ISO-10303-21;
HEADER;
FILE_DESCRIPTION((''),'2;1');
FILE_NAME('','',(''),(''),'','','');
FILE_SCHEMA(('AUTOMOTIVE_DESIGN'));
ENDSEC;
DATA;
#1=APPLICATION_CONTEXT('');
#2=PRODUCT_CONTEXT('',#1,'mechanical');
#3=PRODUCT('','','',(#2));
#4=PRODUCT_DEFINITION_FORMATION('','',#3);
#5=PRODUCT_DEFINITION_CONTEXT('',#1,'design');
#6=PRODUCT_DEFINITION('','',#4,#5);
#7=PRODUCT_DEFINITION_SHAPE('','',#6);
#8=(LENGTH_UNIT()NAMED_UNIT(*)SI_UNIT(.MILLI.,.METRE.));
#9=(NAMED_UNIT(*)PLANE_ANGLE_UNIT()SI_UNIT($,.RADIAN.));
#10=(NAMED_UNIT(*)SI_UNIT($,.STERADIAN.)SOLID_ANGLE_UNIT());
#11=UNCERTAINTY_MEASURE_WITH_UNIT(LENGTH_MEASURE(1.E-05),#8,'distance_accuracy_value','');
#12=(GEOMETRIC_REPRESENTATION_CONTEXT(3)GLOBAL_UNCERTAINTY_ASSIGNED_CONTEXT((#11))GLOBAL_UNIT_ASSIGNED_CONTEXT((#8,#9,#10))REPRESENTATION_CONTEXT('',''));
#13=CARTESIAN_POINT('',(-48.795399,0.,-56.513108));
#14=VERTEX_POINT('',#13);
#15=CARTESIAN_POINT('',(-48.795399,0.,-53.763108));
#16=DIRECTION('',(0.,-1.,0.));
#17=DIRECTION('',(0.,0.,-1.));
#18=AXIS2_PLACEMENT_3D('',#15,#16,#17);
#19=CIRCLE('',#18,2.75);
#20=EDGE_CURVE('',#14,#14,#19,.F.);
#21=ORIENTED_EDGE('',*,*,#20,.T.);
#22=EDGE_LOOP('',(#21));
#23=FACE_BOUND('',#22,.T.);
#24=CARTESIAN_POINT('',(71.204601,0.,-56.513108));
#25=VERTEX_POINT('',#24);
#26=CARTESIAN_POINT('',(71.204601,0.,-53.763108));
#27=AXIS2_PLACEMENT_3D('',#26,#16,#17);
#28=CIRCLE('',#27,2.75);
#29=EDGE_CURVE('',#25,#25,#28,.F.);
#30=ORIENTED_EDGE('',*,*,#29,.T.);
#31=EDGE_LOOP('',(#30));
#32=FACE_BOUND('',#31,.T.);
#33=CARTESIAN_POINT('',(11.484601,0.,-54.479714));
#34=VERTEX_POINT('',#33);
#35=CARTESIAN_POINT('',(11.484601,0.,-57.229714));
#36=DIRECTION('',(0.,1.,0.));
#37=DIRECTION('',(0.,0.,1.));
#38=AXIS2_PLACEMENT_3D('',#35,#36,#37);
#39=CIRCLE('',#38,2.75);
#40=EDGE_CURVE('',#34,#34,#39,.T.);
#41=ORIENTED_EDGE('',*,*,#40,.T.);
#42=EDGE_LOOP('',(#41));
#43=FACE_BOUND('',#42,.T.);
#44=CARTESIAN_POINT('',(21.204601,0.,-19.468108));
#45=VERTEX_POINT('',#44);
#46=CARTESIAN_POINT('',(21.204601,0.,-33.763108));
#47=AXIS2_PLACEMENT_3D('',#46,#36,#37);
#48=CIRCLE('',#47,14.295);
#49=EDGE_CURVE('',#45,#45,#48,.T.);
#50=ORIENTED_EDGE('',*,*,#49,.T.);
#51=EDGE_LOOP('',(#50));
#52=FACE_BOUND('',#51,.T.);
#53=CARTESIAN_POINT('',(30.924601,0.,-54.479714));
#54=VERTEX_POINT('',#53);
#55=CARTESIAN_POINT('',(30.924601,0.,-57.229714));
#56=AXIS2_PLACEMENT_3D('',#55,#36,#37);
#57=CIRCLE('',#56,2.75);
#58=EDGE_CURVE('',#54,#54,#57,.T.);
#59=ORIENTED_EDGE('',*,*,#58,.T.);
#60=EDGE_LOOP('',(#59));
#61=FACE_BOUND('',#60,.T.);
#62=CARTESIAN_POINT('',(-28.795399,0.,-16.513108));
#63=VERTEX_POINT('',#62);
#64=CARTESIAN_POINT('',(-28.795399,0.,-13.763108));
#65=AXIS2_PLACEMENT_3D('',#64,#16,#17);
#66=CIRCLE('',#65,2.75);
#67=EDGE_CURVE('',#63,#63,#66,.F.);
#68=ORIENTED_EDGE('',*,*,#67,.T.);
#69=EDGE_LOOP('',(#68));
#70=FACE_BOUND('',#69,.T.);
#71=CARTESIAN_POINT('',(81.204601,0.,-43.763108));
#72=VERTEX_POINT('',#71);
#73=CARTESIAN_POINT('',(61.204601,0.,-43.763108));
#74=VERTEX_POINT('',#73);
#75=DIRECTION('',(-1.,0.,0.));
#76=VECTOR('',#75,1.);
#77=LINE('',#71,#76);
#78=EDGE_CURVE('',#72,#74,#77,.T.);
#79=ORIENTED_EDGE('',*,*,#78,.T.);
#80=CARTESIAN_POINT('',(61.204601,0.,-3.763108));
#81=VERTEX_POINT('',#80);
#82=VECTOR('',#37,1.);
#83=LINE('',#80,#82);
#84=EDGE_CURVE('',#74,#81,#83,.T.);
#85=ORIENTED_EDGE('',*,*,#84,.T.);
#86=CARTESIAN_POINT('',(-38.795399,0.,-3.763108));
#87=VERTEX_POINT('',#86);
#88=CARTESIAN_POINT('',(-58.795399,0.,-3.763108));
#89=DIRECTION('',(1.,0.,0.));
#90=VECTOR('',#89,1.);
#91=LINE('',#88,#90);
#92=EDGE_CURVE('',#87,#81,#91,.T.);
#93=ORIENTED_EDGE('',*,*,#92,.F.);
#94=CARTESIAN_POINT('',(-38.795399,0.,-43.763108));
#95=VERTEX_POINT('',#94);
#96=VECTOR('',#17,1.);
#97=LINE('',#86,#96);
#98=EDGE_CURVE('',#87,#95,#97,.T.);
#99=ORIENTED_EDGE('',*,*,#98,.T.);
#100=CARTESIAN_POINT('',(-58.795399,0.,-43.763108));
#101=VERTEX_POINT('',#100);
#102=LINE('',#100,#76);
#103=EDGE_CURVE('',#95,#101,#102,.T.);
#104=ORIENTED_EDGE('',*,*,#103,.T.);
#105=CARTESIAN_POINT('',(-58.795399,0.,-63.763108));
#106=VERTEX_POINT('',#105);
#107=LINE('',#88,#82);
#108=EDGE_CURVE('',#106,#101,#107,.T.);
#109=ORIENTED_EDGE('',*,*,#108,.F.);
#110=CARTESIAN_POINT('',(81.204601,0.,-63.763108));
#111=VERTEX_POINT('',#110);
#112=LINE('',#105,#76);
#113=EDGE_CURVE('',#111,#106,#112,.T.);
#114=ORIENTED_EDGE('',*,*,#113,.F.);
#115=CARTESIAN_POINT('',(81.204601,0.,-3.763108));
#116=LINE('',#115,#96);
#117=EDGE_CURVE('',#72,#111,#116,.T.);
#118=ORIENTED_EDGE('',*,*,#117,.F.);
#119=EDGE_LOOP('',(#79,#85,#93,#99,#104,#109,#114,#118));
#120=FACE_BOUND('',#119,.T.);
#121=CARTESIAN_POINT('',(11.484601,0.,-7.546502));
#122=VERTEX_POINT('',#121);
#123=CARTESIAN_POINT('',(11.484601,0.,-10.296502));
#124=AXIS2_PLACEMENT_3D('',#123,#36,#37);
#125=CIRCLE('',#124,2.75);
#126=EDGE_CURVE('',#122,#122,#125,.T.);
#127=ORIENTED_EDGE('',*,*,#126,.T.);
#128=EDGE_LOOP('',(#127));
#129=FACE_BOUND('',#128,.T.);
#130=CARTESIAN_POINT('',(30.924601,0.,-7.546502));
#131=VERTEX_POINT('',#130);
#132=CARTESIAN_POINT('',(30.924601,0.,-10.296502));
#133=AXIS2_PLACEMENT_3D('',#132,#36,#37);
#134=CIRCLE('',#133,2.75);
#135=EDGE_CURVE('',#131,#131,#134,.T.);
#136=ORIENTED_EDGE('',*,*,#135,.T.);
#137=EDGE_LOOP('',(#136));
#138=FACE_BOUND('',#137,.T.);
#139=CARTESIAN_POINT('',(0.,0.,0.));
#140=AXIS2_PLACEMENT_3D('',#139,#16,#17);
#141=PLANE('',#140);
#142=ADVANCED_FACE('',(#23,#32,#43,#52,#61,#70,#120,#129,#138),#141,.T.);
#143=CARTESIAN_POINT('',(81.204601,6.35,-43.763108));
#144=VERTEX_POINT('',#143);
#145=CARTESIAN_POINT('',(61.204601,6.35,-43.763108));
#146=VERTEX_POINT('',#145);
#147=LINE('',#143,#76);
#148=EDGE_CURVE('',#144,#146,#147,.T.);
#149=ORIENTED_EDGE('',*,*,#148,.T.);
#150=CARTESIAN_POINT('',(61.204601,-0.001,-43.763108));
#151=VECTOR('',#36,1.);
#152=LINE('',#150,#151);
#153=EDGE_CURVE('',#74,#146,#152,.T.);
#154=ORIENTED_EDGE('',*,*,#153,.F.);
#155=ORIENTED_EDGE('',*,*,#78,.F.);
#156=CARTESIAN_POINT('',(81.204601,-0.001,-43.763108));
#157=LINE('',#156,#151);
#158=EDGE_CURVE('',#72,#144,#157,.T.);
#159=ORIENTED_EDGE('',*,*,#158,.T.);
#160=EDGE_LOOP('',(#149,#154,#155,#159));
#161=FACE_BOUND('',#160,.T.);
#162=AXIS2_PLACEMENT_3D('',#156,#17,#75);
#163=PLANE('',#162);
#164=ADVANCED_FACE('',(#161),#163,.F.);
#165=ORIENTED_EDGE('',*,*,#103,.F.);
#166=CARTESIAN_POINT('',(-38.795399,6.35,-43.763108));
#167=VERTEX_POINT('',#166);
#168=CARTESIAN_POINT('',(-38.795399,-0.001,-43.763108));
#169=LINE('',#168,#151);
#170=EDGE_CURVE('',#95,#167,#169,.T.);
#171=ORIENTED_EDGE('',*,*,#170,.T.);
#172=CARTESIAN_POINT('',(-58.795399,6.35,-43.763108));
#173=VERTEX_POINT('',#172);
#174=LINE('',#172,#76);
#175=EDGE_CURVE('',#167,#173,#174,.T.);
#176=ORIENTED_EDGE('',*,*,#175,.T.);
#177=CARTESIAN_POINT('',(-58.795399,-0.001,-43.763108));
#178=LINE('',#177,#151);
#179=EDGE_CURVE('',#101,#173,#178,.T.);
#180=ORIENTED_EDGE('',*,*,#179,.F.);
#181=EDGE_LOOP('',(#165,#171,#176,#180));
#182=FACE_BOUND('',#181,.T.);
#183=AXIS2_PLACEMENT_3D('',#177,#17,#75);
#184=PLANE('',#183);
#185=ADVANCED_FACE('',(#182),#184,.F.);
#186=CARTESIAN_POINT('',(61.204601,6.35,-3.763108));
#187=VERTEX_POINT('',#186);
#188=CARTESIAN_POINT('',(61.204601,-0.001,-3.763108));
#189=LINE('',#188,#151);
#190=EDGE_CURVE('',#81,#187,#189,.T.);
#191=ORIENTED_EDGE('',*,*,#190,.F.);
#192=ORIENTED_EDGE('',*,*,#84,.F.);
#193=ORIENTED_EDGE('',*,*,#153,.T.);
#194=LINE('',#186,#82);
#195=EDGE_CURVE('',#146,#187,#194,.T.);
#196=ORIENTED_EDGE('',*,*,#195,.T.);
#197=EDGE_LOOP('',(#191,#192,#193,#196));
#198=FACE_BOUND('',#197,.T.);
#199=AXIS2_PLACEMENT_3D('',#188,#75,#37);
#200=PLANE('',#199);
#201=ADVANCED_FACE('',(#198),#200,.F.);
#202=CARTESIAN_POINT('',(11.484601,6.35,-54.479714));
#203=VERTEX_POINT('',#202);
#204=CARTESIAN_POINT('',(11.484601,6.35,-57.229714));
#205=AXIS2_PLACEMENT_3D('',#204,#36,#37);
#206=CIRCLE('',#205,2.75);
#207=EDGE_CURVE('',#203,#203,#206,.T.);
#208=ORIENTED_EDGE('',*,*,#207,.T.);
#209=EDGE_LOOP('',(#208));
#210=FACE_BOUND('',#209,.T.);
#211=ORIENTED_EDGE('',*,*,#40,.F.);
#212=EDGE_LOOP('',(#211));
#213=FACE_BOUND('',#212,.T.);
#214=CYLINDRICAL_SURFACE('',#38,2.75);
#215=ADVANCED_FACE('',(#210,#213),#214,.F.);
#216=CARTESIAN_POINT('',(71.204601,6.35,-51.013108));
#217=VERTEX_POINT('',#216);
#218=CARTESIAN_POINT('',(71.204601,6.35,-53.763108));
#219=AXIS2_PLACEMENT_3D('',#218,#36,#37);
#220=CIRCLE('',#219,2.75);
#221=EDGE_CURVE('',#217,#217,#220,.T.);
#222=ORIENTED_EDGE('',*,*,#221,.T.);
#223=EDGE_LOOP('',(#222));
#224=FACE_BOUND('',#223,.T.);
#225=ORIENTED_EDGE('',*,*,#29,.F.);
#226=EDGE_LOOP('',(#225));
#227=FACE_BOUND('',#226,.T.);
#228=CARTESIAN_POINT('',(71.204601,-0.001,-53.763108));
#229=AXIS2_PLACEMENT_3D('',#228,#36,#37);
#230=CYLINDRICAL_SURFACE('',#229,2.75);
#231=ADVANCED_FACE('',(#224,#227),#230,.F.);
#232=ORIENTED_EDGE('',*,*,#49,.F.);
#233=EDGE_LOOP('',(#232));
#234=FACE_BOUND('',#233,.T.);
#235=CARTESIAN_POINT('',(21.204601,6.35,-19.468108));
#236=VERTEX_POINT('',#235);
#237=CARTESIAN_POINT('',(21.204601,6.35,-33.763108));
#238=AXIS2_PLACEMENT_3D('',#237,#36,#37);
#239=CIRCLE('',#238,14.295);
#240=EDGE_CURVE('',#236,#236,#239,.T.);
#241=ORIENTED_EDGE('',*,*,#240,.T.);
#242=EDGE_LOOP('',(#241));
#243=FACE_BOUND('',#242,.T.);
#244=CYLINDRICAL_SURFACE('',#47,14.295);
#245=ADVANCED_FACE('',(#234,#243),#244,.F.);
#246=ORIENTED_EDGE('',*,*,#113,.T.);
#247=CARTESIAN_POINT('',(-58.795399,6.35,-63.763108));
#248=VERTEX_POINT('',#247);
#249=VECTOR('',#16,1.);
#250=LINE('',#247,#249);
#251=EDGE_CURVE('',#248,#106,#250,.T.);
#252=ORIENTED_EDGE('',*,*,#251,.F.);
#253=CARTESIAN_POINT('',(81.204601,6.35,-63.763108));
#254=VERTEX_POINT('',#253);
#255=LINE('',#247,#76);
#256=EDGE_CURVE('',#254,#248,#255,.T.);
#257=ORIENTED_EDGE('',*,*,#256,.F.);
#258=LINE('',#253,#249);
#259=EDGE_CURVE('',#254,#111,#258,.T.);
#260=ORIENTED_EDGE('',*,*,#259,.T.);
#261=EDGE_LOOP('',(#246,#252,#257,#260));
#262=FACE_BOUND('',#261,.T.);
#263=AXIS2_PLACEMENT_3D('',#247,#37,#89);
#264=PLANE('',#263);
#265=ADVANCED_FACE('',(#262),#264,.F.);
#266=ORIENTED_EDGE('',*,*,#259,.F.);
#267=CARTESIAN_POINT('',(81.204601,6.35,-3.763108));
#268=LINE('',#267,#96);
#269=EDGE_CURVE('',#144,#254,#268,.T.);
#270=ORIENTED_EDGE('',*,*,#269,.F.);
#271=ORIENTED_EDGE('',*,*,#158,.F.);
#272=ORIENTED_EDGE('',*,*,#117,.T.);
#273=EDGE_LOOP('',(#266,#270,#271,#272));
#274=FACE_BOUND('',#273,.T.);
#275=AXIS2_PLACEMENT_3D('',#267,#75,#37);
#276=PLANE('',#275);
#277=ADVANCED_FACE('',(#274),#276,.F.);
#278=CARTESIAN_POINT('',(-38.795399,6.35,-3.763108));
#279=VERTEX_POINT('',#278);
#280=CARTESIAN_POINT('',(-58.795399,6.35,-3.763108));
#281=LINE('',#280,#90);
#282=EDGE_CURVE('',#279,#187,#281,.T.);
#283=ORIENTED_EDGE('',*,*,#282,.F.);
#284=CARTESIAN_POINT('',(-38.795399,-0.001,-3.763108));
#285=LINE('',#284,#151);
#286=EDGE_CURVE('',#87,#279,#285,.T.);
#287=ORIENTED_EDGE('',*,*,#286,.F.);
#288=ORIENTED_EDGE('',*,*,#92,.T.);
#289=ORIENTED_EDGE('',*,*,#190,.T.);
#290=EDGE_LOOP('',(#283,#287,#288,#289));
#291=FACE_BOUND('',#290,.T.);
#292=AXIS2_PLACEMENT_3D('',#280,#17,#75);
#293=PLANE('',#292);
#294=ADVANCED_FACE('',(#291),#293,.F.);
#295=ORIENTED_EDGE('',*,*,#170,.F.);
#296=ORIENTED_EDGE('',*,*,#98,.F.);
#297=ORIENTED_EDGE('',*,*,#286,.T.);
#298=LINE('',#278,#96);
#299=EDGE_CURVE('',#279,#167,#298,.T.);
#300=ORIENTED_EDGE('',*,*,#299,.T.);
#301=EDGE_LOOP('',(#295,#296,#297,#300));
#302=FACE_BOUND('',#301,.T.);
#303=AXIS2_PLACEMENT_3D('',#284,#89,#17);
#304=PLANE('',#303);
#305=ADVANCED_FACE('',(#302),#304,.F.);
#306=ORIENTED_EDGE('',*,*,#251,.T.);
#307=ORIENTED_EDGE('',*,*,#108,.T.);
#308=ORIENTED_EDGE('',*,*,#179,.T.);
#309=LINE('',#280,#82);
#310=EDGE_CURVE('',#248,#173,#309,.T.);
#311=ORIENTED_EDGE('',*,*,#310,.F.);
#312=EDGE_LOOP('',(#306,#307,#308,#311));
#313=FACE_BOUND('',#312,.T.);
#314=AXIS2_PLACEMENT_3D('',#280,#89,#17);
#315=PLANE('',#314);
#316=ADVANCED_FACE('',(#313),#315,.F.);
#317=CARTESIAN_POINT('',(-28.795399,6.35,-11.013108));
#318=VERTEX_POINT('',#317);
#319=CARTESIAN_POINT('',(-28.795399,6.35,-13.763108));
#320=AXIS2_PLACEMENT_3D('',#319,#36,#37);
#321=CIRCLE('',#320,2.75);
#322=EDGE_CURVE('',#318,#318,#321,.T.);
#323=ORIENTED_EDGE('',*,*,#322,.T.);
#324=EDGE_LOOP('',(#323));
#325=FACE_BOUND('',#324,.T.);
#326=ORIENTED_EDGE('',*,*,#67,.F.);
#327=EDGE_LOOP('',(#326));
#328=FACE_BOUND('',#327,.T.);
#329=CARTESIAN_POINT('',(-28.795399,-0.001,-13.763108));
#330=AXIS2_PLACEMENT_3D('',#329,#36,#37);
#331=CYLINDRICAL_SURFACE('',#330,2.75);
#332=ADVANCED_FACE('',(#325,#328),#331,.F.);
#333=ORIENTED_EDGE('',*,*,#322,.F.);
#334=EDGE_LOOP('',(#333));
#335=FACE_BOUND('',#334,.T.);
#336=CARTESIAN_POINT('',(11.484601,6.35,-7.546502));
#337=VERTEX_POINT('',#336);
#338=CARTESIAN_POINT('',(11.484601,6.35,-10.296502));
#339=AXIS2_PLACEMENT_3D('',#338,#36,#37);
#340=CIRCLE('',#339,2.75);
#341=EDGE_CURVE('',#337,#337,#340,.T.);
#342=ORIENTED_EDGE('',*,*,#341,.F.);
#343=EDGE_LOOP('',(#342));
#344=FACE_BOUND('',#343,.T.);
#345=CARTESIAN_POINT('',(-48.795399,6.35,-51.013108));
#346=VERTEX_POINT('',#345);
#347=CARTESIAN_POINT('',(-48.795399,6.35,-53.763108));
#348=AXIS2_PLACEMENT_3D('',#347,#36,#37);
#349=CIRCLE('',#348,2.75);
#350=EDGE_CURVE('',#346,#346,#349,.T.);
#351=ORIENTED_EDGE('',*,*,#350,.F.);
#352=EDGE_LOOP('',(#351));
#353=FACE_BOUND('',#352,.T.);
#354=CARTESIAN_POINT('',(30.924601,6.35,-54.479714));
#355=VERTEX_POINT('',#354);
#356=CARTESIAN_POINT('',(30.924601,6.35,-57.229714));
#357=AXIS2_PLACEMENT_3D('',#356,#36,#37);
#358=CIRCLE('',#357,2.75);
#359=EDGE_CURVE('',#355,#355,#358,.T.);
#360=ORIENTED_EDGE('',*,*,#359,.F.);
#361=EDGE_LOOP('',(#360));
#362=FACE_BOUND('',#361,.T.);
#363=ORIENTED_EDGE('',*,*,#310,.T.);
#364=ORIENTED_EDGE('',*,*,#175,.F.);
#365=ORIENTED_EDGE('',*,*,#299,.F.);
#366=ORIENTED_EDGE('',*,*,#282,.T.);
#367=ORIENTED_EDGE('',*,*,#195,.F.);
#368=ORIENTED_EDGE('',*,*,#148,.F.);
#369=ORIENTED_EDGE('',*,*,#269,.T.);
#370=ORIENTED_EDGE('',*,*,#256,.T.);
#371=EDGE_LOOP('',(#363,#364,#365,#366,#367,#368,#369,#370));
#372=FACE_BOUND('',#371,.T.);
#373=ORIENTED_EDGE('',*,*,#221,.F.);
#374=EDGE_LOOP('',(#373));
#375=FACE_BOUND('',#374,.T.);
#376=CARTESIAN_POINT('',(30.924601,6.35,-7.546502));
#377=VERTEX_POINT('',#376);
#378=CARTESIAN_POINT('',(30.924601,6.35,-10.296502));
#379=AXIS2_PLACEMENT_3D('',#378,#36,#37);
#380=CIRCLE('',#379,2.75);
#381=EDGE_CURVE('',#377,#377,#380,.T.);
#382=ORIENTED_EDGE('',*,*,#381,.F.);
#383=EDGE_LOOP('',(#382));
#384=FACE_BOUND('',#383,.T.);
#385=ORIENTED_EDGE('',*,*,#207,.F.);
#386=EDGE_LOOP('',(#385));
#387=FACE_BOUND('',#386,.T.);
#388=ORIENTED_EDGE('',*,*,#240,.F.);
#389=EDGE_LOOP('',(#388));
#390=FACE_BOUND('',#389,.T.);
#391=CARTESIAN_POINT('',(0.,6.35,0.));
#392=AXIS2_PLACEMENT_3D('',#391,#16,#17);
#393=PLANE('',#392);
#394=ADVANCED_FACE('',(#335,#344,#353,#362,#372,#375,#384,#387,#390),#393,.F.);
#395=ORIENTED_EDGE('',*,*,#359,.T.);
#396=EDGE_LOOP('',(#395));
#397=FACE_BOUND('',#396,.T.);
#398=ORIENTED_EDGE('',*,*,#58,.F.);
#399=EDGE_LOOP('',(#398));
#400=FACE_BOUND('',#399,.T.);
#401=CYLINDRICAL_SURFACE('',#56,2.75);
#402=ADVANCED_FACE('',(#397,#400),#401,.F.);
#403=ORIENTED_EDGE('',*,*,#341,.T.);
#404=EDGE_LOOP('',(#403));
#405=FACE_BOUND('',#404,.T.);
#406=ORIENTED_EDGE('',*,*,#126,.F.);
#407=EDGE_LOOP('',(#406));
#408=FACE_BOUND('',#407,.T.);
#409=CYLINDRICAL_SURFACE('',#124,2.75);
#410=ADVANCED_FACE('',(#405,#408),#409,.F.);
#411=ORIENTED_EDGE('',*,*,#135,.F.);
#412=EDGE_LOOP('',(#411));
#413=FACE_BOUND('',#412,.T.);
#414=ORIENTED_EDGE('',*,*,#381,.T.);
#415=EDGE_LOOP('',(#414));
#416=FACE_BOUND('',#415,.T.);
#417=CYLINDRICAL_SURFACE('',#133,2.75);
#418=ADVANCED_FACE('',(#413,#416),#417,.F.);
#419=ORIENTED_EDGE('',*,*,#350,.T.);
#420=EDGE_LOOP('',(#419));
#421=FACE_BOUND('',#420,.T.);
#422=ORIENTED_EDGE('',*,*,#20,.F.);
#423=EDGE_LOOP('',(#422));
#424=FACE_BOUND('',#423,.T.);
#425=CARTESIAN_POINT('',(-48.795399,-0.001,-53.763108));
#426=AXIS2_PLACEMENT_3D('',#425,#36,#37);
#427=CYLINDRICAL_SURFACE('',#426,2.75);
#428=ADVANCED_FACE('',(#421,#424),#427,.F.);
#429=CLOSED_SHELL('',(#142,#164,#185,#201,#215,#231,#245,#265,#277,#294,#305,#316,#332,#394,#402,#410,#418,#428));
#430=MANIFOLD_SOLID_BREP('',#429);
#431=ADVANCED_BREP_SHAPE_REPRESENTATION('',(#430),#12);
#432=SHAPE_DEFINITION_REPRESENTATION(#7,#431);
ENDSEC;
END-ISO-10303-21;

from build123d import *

# Parameters (mm, degrees)
SKETCH1_W           = 140
SKETCH1_H           = 60
BOSS_EXTRUDE1_DEPTH = 6.35
SKETCH3_R           = 14.295
SKETCH3_R_2         = 2.75
CUT_EXTRUDE2_DEPTH  = 7.35
CUT_EXTRUDE3_REACH  = 8.35
SKETCH4_R           = 2.75
SKETCH4_W           = 20
SKETCH4_H           = 40


with BuildPart() as part:
    # Sketch1 → Boss-Extrude1 (new body)
    with BuildSketch(Plane(origin=(0, 0, 0), x_dir=(1, 0, 0), z_dir=(0, 1, 0))):
        with Locations((11.204600864, 33.763107794)):
            Rectangle(SKETCH1_W, SKETCH1_H)
    extrude(amount=BOSS_EXTRUDE1_DEPTH)

    # Sketch3 → Cut-Extrude2 (cut, through all)
    with BuildSketch(Plane(origin=(0, 6.35, 0), x_dir=(1, 0, 0), z_dir=(0, 1, 0))):
        with Locations((21.204600864, 33.763107794)):
            Circle(SKETCH3_R)
        with Locations((30.924600864, 10.296501734)):
            Circle(SKETCH3_R_2)
        with Locations((11.484600864, 10.296501734)):
            Circle(SKETCH3_R_2)
        with Locations((11.484600864, 57.229713855)):
            Circle(SKETCH3_R_2)
        with Locations((30.924600864, 57.229713855)):
            Circle(SKETCH3_R_2)
    extrude(amount=-CUT_EXTRUDE2_DEPTH, mode=Mode.SUBTRACT)

    # Sketch4 → Cut-Extrude3 (cut, up to next)
    with BuildSketch(Plane(origin=(0, 6.35, 0), x_dir=(1, 0, 0), z_dir=(0, 1, 0)), mode=Mode.PRIVATE) as cut_extrude3_sk1:
        with Locations((71.204600864, 53.763107794)):
            Circle(SKETCH4_R)
    cut_extrude3_tool1 = extrude(cut_extrude3_sk1.sketch, amount=-CUT_EXTRUDE3_REACH, mode=Mode.PRIVATE) & part.part
    add(cut_extrude3_tool1.solids().sort_by_distance((71.204601, 6.35, -53.763108))[0], mode=Mode.SUBTRACT)
    # Sketch4 → Cut-Extrude3 (cut, up to next)
    with BuildSketch(Plane(origin=(0, 6.35, 0), x_dir=(1, 0, 0), z_dir=(0, 1, 0)), mode=Mode.PRIVATE) as cut_extrude3_sk2:
        with Locations((-48.795399136, 53.763107794)):
            Circle(SKETCH4_R)
    cut_extrude3_tool2 = extrude(cut_extrude3_sk2.sketch, amount=-CUT_EXTRUDE3_REACH, mode=Mode.PRIVATE) & part.part
    add(cut_extrude3_tool2.solids().sort_by_distance((-48.795399, 6.35, -53.763108))[0], mode=Mode.SUBTRACT)
    # Sketch4 → Cut-Extrude3 (cut, up to next)
    with BuildSketch(Plane(origin=(0, 6.35, 0), x_dir=(1, 0, 0), z_dir=(0, 1, 0)), mode=Mode.PRIVATE) as cut_extrude3_sk3:
        with Locations((-28.795399136, 13.763107794)):
            Circle(SKETCH4_R)
    cut_extrude3_tool3 = extrude(cut_extrude3_sk3.sketch, amount=-CUT_EXTRUDE3_REACH, mode=Mode.PRIVATE) & part.part
    add(cut_extrude3_tool3.solids().sort_by_distance((-28.795399, 6.35, -13.763108))[0], mode=Mode.SUBTRACT)
    # Sketch4 → Cut-Extrude3 (cut, up to next)
    with BuildSketch(Plane(origin=(0, 6.35, 0), x_dir=(1, 0, 0), z_dir=(0, 1, 0)), mode=Mode.PRIVATE) as cut_extrude3_sk4:
        with Locations((71.204600864, 23.763107794)):
            Rectangle(SKETCH4_W, SKETCH4_H)
    cut_extrude3_tool4 = extrude(cut_extrude3_sk4.sketch, amount=-CUT_EXTRUDE3_REACH, mode=Mode.PRIVATE) & part.part
    add(cut_extrude3_tool4.solids().sort_by_distance((71.204601, 6.35, -23.763108))[0], mode=Mode.SUBTRACT)
    # Sketch4 → Cut-Extrude3 (cut, up to next)
    with BuildSketch(Plane(origin=(0, 6.35, 0), x_dir=(1, 0, 0), z_dir=(0, 1, 0)), mode=Mode.PRIVATE) as cut_extrude3_sk5:
        with Locations((-48.795399136, 23.763107794)):
            Rectangle(SKETCH4_W, SKETCH4_H)
    cut_extrude3_tool5 = extrude(cut_extrude3_sk5.sketch, amount=-CUT_EXTRUDE3_REACH, mode=Mode.PRIVATE) & part.part
    add(cut_extrude3_tool5.solids().sort_by_distance((-48.795399, 6.35, -23.763108))[0], mode=Mode.SUBTRACT)


solid = part.part
